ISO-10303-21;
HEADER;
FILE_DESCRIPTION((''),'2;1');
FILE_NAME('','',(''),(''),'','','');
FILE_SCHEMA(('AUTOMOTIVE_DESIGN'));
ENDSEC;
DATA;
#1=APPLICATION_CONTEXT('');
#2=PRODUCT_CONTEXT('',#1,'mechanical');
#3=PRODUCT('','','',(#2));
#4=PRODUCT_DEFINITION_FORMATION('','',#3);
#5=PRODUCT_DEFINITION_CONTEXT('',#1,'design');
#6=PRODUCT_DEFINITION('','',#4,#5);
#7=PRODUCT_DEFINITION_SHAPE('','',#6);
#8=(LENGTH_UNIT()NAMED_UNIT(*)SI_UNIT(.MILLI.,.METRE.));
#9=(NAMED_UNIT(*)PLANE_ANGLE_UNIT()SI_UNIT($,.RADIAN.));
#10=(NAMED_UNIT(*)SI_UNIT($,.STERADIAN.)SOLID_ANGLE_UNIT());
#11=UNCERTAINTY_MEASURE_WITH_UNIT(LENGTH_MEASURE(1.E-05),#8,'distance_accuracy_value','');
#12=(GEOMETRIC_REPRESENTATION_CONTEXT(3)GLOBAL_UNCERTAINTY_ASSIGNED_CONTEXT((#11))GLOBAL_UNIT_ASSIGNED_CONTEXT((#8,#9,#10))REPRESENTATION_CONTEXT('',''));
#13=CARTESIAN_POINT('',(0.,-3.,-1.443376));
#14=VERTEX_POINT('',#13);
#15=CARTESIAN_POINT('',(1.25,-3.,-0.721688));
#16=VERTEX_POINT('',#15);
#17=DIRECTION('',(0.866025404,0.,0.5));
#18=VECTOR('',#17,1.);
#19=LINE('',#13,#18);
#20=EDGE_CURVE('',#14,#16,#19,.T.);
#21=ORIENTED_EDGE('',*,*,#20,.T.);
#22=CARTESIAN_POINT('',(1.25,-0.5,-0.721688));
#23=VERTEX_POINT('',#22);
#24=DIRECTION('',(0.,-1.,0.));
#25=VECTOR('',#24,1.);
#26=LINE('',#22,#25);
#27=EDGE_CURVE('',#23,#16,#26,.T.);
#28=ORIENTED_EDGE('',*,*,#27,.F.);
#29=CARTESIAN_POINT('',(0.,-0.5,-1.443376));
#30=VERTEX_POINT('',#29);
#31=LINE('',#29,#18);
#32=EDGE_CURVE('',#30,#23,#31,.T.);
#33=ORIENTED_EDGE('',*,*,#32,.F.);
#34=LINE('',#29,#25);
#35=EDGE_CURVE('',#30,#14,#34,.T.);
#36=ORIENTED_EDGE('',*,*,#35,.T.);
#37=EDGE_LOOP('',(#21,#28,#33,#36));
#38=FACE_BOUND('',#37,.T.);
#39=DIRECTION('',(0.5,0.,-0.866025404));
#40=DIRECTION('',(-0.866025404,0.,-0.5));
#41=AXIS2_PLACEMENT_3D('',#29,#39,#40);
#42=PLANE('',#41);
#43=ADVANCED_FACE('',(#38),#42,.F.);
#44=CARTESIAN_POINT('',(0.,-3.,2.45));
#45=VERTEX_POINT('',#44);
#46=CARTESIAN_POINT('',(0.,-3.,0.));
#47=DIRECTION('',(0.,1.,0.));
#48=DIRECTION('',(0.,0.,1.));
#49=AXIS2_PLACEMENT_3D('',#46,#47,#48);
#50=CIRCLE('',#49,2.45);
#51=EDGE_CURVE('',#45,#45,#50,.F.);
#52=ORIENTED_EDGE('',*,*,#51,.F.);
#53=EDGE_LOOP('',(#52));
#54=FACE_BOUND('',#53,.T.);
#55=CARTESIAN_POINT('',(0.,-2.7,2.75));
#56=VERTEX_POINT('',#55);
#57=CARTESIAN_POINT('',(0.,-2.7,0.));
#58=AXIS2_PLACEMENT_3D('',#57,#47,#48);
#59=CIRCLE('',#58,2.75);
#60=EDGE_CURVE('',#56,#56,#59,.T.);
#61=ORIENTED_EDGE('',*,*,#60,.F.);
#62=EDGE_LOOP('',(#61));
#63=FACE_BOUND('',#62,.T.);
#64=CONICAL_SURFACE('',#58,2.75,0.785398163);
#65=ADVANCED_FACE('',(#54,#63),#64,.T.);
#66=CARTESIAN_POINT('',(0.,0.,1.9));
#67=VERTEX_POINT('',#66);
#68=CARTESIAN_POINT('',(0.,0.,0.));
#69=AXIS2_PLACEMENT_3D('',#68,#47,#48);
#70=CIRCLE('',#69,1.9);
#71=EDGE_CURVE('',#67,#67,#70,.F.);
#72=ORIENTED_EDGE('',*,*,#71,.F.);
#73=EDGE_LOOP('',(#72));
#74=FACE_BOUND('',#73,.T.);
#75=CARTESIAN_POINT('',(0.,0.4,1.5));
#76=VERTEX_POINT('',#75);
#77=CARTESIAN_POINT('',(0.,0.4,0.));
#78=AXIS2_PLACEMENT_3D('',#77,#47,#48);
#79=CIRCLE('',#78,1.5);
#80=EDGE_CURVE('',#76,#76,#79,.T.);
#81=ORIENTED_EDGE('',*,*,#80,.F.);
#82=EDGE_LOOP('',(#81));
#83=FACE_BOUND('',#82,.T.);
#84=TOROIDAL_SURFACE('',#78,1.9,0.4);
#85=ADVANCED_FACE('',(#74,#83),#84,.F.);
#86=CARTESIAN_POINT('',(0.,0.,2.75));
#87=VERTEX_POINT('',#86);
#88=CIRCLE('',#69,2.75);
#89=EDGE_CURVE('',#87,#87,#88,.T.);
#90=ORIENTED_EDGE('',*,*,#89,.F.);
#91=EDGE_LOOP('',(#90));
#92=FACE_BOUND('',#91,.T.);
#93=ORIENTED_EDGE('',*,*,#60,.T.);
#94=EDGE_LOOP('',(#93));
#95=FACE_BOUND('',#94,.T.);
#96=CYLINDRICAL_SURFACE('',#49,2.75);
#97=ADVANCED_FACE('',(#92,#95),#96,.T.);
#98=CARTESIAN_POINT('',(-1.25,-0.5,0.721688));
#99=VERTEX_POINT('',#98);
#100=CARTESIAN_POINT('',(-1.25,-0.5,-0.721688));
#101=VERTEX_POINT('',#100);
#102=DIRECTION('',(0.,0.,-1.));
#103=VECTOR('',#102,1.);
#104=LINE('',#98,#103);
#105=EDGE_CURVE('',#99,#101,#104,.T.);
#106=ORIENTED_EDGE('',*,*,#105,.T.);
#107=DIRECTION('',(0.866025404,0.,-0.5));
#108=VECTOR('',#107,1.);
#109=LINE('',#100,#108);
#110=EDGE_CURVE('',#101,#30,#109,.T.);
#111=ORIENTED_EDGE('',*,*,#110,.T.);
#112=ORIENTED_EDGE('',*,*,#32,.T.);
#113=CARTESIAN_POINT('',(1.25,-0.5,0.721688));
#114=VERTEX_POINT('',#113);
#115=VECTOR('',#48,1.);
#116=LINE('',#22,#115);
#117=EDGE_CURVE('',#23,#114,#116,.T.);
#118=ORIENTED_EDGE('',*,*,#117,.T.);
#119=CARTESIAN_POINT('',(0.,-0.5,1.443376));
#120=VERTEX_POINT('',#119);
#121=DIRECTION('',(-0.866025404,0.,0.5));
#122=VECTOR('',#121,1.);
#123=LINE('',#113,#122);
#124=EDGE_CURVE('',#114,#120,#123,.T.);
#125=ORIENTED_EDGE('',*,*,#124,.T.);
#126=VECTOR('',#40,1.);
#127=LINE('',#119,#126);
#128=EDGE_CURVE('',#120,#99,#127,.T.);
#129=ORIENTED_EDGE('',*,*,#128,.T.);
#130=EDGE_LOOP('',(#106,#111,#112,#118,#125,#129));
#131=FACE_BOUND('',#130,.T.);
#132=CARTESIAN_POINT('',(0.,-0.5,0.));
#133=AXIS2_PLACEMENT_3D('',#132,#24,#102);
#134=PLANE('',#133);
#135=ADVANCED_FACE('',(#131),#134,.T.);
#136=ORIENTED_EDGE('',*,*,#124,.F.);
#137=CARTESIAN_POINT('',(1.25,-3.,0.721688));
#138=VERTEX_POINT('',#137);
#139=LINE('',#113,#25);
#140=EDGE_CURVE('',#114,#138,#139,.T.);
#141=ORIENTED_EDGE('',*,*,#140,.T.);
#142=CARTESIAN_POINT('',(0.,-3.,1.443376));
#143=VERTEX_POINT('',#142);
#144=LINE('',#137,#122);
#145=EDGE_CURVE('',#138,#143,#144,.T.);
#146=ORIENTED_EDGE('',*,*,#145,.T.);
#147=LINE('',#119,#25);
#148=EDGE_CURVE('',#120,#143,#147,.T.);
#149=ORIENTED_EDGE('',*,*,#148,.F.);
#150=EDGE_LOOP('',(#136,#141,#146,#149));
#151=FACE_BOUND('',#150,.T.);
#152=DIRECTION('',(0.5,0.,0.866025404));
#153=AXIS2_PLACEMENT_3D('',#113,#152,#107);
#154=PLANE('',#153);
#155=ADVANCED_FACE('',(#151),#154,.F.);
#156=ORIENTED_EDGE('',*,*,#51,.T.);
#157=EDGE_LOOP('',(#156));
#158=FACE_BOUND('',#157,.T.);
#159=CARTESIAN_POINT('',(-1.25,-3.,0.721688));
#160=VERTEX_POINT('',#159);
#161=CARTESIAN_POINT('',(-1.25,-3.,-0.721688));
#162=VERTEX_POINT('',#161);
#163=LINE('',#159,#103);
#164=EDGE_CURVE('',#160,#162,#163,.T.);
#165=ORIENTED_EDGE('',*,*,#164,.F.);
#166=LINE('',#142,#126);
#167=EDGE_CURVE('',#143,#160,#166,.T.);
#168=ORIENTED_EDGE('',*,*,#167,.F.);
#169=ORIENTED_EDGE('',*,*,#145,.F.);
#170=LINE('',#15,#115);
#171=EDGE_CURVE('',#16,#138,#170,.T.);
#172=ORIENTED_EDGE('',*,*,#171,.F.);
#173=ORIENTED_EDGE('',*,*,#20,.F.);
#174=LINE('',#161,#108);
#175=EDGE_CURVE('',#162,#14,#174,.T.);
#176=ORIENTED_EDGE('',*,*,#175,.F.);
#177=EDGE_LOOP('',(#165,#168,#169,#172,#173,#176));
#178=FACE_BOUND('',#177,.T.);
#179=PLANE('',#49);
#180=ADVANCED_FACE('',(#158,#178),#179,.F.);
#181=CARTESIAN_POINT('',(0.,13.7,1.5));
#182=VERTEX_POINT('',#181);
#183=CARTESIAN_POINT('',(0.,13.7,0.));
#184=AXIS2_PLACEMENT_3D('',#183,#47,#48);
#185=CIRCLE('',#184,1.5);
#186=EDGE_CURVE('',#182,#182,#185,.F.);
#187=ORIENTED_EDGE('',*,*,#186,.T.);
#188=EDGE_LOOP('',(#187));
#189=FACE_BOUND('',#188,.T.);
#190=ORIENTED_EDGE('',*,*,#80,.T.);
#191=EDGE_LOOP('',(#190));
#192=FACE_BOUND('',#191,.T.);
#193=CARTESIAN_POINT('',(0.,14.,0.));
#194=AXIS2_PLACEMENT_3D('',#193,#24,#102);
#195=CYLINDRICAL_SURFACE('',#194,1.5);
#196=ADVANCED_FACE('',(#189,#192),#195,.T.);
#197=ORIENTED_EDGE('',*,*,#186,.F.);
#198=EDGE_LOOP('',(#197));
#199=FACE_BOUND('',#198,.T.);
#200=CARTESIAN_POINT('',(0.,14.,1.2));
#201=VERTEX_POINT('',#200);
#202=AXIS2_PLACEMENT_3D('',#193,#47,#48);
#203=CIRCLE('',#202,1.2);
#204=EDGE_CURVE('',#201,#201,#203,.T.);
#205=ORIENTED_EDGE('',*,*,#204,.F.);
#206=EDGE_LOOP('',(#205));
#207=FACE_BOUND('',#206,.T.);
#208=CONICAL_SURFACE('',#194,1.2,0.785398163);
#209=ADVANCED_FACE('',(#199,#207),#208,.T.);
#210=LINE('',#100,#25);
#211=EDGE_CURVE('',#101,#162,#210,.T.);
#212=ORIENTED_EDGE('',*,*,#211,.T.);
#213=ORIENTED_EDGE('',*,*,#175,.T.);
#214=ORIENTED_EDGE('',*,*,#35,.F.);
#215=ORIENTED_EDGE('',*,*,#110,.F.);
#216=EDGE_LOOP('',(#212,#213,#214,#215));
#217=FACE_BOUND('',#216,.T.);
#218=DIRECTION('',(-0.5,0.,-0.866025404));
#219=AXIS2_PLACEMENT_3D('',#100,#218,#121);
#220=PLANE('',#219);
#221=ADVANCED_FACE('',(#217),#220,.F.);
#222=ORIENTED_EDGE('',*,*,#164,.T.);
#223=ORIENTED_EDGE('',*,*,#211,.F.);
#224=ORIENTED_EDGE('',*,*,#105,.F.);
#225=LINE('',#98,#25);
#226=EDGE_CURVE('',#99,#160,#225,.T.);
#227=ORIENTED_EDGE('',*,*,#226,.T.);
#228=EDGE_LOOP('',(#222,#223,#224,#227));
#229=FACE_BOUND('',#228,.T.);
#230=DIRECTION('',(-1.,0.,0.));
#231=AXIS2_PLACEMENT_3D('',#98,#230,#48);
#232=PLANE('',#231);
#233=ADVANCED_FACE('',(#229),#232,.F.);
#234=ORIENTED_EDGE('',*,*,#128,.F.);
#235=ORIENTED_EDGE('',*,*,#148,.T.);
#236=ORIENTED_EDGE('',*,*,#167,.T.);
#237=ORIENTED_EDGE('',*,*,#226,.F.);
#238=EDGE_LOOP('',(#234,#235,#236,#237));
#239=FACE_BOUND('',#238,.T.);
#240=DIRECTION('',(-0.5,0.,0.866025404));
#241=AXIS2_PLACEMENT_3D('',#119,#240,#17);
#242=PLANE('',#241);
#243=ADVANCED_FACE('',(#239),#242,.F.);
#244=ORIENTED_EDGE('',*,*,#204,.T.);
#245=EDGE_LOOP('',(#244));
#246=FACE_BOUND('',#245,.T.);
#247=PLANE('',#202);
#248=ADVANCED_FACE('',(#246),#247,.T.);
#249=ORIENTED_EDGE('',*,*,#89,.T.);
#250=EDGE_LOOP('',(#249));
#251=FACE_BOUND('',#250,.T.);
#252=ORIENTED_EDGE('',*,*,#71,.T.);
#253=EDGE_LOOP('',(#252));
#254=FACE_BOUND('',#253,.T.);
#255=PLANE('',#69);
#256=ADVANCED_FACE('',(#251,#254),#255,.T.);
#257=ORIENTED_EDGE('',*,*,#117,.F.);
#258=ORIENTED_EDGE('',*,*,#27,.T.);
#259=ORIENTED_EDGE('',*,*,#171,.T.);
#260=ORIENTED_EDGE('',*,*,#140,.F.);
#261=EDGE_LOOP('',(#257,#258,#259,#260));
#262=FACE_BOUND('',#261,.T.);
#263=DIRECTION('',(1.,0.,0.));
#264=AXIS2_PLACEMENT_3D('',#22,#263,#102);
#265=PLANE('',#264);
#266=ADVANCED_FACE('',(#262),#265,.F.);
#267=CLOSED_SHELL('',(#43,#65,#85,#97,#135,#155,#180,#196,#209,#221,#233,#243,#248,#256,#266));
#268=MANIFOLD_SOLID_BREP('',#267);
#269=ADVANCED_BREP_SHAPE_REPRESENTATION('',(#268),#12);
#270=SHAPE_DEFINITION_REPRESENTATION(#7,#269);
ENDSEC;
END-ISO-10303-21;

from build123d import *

# Parameters (mm, degrees)
SKETCH2_R           = 1.5
BOSS_EXTRUDE1_DEPTH = 14
SKETCH3_R           = 2.75
BOSS_EXTRUDE2_DEPTH = 3
FILLET1_R           = 0.4
CHAMFER1_SIZE       = 0.3
CUT_EXTRUDE1_DEPTH  = 2.5


with BuildPart() as part:
    # Sketch2 → Boss-Extrude1 (new body)
    with BuildSketch(Plane(origin=(0, 0, 0), x_dir=(1, 0, 0), z_dir=(0, 1, 0))):
        with Locations(Location((0, 0, 0), (0, 0, 270))):
            Circle(SKETCH2_R)
    extrude(amount=BOSS_EXTRUDE1_DEPTH)

    # Sketch3 → Boss-Extrude2 (add)
    with BuildSketch(Plane(origin=(0, 0, 0), x_dir=(1, 0, 0), z_dir=(0, 1, 0))):
        with Locations(Location((0, 0, 0), (0, 0, 270))):
            Circle(SKETCH3_R)
    extrude(amount=-BOSS_EXTRUDE2_DEPTH)

    # Fillet1
    fillet1_edges = [part.edges().sort_by_distance(p)[0] for p in [
        (0, 0, -1.5),
    ]]
    fillet(fillet1_edges, radius=FILLET1_R)

    # Chamfer1
    chamfer1_edges = [part.edges().sort_by_distance(p)[0] for p in [
        (0, 14, -1.5),
        (0, -3, -2.75),
    ]]
    chamfer(chamfer1_edges, length=CHAMFER1_SIZE)

    # Sketch4 → Cut-Extrude1 (cut)
    with BuildSketch(Plane.XZ.offset(3)):
        Polygon((0, 1.443375673), (-1.25, 0.721687836), (-1.25, -0.721687836), (0, -1.443375673), (1.25, -0.721687836), (1.25, 0.721687836), align=None)
    extrude(amount=-CUT_EXTRUDE1_DEPTH, mode=Mode.SUBTRACT)


solid = part.part
